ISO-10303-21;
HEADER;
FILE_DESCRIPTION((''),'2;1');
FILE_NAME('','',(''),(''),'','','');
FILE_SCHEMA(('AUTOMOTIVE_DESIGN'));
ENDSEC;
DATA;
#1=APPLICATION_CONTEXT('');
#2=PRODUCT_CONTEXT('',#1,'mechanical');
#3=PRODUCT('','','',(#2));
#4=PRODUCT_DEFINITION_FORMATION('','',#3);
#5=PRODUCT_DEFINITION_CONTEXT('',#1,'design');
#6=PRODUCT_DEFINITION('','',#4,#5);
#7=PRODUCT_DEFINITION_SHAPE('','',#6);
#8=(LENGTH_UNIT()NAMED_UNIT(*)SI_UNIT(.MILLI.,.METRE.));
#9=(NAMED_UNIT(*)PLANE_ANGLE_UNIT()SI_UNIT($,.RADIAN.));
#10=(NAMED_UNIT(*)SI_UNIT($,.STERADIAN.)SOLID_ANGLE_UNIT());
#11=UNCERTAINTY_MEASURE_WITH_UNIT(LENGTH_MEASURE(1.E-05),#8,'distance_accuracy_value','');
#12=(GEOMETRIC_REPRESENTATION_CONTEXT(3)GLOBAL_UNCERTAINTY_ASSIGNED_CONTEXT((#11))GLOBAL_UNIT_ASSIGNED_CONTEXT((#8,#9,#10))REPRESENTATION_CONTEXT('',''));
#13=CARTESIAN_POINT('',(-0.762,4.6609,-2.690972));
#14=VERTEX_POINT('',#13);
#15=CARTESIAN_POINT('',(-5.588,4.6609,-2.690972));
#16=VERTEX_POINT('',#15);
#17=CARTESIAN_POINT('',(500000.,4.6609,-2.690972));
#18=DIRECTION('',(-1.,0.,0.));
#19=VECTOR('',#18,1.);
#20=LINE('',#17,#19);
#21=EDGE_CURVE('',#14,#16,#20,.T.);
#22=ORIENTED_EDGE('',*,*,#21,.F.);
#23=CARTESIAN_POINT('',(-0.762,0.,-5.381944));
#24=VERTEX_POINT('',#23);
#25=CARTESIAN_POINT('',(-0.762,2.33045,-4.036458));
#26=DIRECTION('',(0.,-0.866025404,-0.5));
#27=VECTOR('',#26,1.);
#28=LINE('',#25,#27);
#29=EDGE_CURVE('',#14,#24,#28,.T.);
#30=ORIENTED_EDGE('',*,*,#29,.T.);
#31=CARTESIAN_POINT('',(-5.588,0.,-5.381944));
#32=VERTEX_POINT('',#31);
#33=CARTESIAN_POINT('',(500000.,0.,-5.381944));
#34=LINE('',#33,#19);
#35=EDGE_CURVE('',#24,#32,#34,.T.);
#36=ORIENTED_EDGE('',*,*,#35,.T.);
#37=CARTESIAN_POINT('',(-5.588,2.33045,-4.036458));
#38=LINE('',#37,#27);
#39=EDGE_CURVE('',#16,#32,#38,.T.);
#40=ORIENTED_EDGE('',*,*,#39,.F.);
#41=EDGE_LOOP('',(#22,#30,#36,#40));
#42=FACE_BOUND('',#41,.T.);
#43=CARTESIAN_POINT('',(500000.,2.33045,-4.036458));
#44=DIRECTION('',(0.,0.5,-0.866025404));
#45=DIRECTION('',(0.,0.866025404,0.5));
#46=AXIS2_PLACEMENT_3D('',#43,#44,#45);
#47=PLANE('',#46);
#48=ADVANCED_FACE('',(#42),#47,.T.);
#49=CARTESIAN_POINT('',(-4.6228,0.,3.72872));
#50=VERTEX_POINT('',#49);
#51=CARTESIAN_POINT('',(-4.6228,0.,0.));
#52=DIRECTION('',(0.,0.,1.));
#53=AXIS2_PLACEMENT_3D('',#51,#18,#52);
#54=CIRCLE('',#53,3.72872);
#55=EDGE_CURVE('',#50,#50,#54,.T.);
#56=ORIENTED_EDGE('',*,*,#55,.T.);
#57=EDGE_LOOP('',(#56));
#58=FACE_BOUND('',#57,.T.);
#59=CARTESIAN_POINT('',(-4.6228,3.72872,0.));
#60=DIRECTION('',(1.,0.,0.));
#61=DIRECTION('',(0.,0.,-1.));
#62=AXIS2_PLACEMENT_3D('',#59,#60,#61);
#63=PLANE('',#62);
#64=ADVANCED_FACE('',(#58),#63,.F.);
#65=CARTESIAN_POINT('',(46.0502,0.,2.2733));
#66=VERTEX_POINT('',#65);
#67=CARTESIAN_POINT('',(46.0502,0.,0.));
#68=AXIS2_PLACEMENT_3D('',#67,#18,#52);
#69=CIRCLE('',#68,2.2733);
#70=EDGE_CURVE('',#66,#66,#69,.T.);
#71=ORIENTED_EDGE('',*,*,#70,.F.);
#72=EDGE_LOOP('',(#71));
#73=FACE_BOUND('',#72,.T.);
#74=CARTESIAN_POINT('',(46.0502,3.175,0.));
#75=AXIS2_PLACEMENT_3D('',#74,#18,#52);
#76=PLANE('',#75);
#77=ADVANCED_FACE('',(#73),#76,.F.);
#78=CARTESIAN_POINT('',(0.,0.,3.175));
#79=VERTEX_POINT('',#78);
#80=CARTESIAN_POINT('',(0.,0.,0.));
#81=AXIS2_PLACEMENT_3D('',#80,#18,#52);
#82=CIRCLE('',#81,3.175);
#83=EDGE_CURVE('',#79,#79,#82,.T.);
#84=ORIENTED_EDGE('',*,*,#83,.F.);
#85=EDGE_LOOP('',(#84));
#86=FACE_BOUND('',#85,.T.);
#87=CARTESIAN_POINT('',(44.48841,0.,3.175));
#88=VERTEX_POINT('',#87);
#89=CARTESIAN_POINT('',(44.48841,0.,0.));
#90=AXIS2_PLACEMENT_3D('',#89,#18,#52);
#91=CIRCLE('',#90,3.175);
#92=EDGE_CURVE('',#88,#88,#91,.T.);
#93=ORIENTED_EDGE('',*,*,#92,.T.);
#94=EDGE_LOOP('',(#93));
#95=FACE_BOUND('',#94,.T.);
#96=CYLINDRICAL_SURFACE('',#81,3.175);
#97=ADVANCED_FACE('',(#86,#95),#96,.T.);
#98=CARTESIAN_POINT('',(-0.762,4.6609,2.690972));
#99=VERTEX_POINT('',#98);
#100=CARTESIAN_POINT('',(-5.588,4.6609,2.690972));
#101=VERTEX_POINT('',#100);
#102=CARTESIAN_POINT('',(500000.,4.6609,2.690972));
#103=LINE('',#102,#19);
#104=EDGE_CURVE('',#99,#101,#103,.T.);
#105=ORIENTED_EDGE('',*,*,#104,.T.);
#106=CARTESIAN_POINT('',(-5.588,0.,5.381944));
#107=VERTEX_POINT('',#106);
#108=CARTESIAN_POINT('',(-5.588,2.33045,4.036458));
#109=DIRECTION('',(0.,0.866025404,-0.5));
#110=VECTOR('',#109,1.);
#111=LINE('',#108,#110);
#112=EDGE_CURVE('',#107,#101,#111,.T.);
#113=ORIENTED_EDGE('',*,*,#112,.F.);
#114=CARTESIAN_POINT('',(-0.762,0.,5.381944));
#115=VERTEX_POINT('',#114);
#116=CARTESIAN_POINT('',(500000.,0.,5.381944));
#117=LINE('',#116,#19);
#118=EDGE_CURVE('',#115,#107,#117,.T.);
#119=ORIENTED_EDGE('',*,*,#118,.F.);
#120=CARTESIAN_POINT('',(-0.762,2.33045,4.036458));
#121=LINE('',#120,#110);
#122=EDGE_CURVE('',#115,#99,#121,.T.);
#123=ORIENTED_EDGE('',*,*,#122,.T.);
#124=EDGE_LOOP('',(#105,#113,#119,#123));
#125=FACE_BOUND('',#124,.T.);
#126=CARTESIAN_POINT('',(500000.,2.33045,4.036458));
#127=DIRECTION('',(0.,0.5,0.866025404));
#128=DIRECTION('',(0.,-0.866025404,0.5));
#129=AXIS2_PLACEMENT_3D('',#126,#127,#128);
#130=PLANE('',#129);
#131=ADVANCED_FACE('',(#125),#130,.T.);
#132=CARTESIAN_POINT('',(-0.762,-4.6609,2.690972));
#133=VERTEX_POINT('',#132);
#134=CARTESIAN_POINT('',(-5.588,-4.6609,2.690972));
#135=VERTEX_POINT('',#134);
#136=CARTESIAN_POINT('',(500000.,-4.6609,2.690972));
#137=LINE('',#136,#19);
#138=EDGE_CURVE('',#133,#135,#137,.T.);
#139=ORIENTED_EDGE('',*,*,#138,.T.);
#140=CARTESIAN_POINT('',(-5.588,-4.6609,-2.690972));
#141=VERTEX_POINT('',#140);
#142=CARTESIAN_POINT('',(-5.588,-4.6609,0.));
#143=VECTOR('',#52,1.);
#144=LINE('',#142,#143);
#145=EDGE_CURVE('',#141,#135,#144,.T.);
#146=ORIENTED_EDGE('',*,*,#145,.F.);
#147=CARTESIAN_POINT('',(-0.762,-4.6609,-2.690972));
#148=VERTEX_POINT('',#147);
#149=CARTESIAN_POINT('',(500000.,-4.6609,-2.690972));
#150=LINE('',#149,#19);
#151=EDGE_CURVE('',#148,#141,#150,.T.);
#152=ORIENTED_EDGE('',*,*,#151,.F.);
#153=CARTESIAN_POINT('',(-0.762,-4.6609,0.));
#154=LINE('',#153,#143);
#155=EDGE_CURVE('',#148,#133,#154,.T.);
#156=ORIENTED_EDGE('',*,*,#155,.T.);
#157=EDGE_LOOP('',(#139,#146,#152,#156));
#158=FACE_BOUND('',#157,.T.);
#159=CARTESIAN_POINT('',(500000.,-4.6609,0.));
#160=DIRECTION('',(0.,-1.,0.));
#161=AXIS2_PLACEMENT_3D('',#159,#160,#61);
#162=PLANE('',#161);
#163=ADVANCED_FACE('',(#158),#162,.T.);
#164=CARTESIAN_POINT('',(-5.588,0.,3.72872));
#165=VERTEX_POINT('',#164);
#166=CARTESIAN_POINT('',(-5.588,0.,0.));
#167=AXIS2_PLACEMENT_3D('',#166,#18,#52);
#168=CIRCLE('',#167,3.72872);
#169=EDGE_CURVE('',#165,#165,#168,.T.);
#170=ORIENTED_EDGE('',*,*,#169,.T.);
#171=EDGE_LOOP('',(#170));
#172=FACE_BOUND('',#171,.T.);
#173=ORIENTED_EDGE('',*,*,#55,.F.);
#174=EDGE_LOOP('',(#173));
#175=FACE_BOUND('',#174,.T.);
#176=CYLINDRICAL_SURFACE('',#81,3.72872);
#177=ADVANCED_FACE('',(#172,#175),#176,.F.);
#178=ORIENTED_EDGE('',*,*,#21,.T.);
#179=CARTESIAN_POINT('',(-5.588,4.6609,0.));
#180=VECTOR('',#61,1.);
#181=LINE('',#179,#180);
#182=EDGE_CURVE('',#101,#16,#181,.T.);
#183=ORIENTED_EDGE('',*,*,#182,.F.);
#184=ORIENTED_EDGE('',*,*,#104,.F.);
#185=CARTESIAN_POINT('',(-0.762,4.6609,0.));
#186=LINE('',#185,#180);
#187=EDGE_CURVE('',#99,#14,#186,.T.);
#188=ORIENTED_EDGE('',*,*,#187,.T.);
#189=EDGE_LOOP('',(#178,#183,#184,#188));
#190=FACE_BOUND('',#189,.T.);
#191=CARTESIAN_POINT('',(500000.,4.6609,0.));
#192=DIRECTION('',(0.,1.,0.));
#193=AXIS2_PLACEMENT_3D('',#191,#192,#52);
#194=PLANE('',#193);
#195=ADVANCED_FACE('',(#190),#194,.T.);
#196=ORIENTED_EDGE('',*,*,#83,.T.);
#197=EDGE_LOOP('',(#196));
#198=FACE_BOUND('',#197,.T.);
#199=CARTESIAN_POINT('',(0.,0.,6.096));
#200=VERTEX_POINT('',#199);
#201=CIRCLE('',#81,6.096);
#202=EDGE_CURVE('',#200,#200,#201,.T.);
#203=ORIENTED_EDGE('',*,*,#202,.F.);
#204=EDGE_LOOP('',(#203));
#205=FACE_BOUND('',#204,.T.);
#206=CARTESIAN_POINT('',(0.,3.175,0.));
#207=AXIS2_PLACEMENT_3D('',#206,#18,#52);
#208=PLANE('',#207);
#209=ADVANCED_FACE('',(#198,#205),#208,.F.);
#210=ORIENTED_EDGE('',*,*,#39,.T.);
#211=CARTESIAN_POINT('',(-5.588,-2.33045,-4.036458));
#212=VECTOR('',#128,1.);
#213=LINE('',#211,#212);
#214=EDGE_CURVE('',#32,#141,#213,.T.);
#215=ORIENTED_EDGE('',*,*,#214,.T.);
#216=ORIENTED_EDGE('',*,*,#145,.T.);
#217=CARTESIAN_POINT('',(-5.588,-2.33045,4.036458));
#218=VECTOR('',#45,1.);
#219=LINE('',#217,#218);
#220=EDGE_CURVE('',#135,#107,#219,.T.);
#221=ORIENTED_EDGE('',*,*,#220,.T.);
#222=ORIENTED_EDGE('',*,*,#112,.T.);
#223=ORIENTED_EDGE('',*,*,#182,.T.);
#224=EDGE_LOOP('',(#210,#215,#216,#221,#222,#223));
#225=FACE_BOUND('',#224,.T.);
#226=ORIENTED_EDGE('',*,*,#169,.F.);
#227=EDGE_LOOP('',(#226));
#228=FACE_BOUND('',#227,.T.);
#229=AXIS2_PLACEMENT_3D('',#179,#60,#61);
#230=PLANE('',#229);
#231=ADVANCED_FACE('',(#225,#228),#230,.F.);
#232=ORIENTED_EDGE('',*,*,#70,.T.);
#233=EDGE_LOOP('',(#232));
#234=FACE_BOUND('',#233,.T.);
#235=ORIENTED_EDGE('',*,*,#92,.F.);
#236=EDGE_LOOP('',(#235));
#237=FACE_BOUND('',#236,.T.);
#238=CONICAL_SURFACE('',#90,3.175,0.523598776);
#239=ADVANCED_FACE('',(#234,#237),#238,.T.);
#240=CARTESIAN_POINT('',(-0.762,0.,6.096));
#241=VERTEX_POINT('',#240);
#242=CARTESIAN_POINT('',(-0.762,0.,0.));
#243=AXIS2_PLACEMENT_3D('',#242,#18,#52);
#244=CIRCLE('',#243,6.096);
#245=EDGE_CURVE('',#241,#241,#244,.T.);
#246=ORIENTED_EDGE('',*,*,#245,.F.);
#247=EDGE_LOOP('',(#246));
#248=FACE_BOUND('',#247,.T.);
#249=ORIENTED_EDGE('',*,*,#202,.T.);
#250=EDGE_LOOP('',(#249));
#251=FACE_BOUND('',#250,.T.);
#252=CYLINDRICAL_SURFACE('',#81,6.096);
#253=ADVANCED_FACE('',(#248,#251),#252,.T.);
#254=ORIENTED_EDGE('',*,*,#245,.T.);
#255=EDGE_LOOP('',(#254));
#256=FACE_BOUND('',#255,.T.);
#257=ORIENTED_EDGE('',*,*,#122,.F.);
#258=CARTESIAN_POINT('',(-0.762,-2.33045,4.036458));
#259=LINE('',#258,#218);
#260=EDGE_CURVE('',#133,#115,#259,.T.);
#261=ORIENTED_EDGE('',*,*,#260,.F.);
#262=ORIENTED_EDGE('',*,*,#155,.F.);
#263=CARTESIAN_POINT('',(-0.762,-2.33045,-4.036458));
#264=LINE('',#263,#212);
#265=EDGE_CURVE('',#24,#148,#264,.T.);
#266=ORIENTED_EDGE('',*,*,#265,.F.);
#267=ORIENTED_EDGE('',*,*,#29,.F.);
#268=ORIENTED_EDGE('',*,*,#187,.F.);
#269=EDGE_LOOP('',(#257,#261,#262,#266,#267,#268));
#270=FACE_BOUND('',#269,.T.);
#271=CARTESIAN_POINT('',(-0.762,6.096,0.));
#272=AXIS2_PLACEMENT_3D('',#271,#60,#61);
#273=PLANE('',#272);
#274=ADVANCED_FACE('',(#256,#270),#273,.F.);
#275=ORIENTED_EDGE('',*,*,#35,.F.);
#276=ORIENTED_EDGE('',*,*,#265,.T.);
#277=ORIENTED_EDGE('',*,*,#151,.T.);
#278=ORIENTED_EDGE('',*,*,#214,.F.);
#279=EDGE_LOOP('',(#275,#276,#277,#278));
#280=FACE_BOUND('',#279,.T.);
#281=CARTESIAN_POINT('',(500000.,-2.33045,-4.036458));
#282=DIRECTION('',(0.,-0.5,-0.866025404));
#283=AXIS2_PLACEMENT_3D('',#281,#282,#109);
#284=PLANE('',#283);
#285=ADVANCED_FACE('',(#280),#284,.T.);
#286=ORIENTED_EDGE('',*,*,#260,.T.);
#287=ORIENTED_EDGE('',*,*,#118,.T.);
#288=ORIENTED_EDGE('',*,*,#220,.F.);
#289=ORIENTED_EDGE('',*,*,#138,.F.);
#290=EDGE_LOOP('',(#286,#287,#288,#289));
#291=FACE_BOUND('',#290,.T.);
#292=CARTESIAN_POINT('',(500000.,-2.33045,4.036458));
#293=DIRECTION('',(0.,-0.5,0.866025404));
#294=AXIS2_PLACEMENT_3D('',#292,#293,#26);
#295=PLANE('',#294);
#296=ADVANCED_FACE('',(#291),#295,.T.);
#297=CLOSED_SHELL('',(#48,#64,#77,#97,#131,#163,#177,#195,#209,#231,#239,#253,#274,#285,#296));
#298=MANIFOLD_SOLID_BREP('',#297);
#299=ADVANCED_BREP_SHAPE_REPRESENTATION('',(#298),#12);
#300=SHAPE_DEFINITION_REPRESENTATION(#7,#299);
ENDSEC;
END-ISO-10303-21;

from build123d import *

# Parameters (mm, degrees)
EXTRUDE1_REACH = 54.353


with BuildPart() as part:
    # Sketch1 → base-Revolve (revolve)
    with BuildSketch(Plane.XY, mode=Mode.PRIVATE) as base_revolve_sk:
        Polygon((0, 6.096), (-0.762, 6.096), (-0.762, 4.6609), (-5.588, 4.6609), (-5.588, 3.72872), (-4.6228, 3.72872), (-4.6228, 0), (0, 0), (46.0502, 0), (46.0502, 3.175), (0, 3.175), align=None)
    revolve(base_revolve_sk.sketch.rotate(Axis((0, 0, 0), (1, 0, 0)), 90), axis=Axis((0, 0, 0), (1, 0, 0)))

    # Sketch15 → Extrude1 (add, up to next)
    with BuildSketch(Plane.ZY.offset(5.588), mode=Mode.PRIVATE) as extrude1_sk1:
        with BuildLine():
            ThreePointArc((-4.036457824, -2.330449967), (-4.6609, 3.6e-08), (-4.036457787, 2.33045003))
            Line((-4.036457787, 2.33045003), (-5.381943739, 0))
            Line((-5.381943739, 0), (-4.036457824, -2.330449967))
        make_face()
    extrude1_tool1 = extrude(extrude1_sk1.sketch, amount=-EXTRUDE1_REACH, mode=Mode.PRIVATE) - part.part
    # Sketch15 → Extrude1 (add, up to next)
    with BuildSketch(Plane.ZY.offset(5.588), mode=Mode.PRIVATE) as extrude1_sk2:
        with BuildLine():
            ThreePointArc((-4.036457787, 2.33045003), (-2.330449985, 4.036457813), (0, 4.6609))
            Line((0, 4.6609), (-2.69097187, 4.6609))
            Line((-2.69097187, 4.6609), (-4.036457787, 2.33045003))
        make_face()
    extrude1_tool2 = extrude(extrude1_sk2.sketch, amount=-EXTRUDE1_REACH, mode=Mode.PRIVATE) - part.part
    # Sketch15 → Extrude1 (add, up to next)
    with BuildSketch(Plane.ZY.offset(5.588), mode=Mode.PRIVATE) as extrude1_sk3:
        with BuildLine():
            ThreePointArc((0, 4.6609), (2.330450001, 4.036457804), (4.036457805, 2.330449998))
            Line((4.036457805, 2.330449998), (2.69097187, 4.6609))
            Line((2.69097187, 4.6609), (0, 4.6609))
        make_face()
    extrude1_tool3 = extrude(extrude1_sk3.sketch, amount=-EXTRUDE1_REACH, mode=Mode.PRIVATE) - part.part
    # Sketch15 → Extrude1 (add, up to next)
    with BuildSketch(Plane.ZY.offset(5.588), mode=Mode.PRIVATE) as extrude1_sk4:
        with BuildLine():
            Line((4.036457776, -2.330450049), (5.381943739, 0))
            Line((5.381943739, 0), (4.036457805, 2.330449998))
            ThreePointArc((4.036457805, 2.330449998), (4.502083684, 1.206329686), (4.6609, 0))
            ThreePointArc((4.6609, 0), (4.502083676, -1.206329715), (4.036457776, -2.330450049))
        make_face()
    extrude1_tool4 = extrude(extrude1_sk4.sketch, amount=-EXTRUDE1_REACH, mode=Mode.PRIVATE) - part.part
    # Sketch15 → Extrude1 (add, up to next)
    with BuildSketch(Plane.ZY.offset(5.588), mode=Mode.PRIVATE) as extrude1_sk5:
        with BuildLine():
            Line((2.69097187, -4.6609), (4.036457776, -2.330450049))
            ThreePointArc((4.036457776, -2.330450049), (2.330449975, -4.036457819), (0, -4.6609))
            Line((0, -4.6609), (2.69097187, -4.6609))
        make_face()
    extrude1_tool5 = extrude(extrude1_sk5.sketch, amount=-EXTRUDE1_REACH, mode=Mode.PRIVATE) - part.part
    # Sketch15 → Extrude1 (add, up to next)
    with BuildSketch(Plane.ZY.offset(5.588), mode=Mode.PRIVATE) as extrude1_sk6:
        with BuildLine():
            Line((-2.69097187, -4.6609), (0, -4.6609))
            ThreePointArc((0, -4.6609), (-2.330450017, -4.036457795), (-4.036457824, -2.330449967))
            Line((-4.036457824, -2.330449967), (-2.69097187, -4.6609))
        make_face()
    extrude1_tool6 = extrude(extrude1_sk6.sketch, amount=-EXTRUDE1_REACH, mode=Mode.PRIVATE) - part.part
    add(extrude1_tool1.solids().sort_by_distance((-5.588, 0, -4.817334))[0])
    add(extrude1_tool2.solids().sort_by_distance((-5.588, 4.171933, -2.408667))[0])
    add(extrude1_tool3.solids().sort_by_distance((-5.588, 4.171933, 2.408667))[0])
    add(extrude1_tool4.solids().sort_by_distance((-5.588, 0, 4.817334))[0])
    add(extrude1_tool5.solids().sort_by_distance((-5.588, -4.171933, 2.408667))[0])
    add(extrude1_tool6.solids().sort_by_distance((-5.588, -4.171933, -2.408667))[0])

    # Sketch8 → point_Cut-Revolve1 (revolve, cut)
    with BuildSketch(Plane.XY, mode=Mode.PRIVATE) as point_cut_revolve1_sk:
        Polygon((46.0502, 0), (46.5582, 0), (46.5582, 3.683), (44.488409787, 3.683), (44.488409787, 3.175), (46.0502, 2.2733), align=None)
    revolve(point_cut_revolve1_sk.sketch.rotate(Axis((0, 0, 0), (1, 0, 0)), 90), axis=Axis((0, 0, 0), (1, 0, 0)), mode=Mode.SUBTRACT)


solid = part.part
